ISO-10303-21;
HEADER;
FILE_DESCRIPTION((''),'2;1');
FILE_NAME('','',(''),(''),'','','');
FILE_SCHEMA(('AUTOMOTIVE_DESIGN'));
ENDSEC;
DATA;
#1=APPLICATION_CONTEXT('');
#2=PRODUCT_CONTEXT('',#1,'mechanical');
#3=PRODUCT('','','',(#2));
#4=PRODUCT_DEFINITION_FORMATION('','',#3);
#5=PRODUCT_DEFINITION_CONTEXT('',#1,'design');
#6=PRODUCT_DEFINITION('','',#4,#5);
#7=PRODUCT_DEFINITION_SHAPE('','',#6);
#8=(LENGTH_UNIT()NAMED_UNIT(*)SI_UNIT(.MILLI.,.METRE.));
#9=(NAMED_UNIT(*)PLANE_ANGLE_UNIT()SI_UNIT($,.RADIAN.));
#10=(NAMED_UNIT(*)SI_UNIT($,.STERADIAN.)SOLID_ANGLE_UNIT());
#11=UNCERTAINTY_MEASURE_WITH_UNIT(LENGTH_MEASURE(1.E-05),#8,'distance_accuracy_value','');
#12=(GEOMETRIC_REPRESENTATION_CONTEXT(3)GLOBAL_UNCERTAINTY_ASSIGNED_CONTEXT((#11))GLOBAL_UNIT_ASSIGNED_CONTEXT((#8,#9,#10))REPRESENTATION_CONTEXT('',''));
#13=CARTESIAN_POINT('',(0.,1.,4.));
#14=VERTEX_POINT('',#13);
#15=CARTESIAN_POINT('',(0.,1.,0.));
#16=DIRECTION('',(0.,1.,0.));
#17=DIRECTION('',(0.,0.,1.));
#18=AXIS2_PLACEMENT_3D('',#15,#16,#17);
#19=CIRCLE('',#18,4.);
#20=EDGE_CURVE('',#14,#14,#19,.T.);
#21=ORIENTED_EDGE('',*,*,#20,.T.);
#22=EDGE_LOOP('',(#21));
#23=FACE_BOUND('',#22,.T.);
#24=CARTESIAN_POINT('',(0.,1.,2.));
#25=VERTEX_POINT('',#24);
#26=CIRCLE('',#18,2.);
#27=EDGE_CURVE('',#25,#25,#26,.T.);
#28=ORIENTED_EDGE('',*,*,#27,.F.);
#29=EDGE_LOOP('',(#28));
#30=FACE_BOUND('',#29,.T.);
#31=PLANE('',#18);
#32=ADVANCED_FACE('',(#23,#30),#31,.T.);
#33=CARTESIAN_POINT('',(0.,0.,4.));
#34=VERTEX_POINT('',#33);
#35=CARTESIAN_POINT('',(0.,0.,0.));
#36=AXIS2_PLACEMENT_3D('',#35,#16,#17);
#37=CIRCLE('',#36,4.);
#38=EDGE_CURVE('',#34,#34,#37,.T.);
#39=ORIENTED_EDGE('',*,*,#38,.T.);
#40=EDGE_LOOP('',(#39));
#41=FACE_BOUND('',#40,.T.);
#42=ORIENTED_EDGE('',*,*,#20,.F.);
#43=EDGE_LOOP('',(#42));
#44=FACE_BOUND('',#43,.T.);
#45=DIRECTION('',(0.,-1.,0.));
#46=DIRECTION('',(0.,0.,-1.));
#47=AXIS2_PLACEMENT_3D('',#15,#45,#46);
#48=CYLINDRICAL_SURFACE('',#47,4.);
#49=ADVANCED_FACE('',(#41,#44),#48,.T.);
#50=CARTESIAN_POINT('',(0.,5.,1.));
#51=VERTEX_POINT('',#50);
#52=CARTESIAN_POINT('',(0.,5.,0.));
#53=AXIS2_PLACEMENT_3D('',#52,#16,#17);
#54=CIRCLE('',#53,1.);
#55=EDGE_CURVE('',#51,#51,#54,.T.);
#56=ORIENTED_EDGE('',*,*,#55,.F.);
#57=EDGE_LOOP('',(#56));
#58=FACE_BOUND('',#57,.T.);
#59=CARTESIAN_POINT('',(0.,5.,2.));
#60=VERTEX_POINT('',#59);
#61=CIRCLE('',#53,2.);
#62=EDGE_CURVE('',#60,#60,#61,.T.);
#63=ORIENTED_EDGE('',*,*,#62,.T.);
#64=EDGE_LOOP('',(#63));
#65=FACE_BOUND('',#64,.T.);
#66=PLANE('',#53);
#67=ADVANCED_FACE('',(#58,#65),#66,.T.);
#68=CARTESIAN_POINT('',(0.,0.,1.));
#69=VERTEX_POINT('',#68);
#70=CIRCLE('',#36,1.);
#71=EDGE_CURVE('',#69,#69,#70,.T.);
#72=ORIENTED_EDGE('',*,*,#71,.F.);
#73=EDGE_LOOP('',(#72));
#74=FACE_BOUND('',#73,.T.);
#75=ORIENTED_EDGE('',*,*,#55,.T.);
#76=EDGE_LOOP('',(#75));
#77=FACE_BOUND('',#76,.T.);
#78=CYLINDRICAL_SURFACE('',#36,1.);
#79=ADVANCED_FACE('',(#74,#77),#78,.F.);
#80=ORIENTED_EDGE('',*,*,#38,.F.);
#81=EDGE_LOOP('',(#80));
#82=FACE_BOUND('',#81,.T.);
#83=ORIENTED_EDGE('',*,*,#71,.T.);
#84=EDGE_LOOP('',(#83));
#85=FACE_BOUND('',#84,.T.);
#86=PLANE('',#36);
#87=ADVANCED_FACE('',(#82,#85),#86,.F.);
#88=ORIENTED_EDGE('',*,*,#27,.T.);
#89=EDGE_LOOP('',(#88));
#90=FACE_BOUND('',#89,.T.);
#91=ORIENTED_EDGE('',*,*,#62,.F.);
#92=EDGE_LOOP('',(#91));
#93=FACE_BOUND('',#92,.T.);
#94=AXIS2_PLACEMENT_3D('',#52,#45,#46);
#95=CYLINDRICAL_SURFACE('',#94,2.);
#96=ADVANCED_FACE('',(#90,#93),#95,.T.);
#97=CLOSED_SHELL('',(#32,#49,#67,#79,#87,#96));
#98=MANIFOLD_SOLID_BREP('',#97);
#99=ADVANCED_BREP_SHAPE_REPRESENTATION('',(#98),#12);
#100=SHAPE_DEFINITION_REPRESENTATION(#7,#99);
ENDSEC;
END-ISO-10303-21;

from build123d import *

# Parameters (mm, degrees)
SKETCH1_R           = 4
BOSS_EXTRUDE1_DEPTH = 1
SKETCH2_R           = 2
BOSS_EXTRUDE2_DEPTH = 4
SKETCH3_R           = 1
CUT_EXTRUDE1_DEPTH  = 8.549834435


with BuildPart() as part:
    # Sketch1 → Boss-Extrude1 (new body)
    with BuildSketch(Plane(origin=(0, 0, 0), x_dir=(1, 0, 0), z_dir=(0, 1, 0))):
        with Locations(Location((0, 0, 0), (0, 0, 270))):
            Circle(SKETCH1_R)
    extrude(amount=BOSS_EXTRUDE1_DEPTH)

    # Sketch2 → Boss-Extrude2 (add)
    with BuildSketch(Plane(origin=(0, 1, 0), x_dir=(1, 0, 0), z_dir=(0, 1, 0))):
        with Locations(Location((0, 0, 0), (0, 0, 270))):
            Circle(SKETCH2_R)
    extrude(amount=BOSS_EXTRUDE2_DEPTH)

    # Sketch3 → Cut-Extrude1 (cut, through all)
    with BuildSketch(Plane(origin=(0, 5, 0), x_dir=(1, 0, 0), z_dir=(0, 1, 0))):
        with Locations(Location((0, 0, 0), (0, 0, 270))):
            Circle(SKETCH3_R)
    extrude(amount=-CUT_EXTRUDE1_DEPTH, mode=Mode.SUBTRACT)


solid = part.part
